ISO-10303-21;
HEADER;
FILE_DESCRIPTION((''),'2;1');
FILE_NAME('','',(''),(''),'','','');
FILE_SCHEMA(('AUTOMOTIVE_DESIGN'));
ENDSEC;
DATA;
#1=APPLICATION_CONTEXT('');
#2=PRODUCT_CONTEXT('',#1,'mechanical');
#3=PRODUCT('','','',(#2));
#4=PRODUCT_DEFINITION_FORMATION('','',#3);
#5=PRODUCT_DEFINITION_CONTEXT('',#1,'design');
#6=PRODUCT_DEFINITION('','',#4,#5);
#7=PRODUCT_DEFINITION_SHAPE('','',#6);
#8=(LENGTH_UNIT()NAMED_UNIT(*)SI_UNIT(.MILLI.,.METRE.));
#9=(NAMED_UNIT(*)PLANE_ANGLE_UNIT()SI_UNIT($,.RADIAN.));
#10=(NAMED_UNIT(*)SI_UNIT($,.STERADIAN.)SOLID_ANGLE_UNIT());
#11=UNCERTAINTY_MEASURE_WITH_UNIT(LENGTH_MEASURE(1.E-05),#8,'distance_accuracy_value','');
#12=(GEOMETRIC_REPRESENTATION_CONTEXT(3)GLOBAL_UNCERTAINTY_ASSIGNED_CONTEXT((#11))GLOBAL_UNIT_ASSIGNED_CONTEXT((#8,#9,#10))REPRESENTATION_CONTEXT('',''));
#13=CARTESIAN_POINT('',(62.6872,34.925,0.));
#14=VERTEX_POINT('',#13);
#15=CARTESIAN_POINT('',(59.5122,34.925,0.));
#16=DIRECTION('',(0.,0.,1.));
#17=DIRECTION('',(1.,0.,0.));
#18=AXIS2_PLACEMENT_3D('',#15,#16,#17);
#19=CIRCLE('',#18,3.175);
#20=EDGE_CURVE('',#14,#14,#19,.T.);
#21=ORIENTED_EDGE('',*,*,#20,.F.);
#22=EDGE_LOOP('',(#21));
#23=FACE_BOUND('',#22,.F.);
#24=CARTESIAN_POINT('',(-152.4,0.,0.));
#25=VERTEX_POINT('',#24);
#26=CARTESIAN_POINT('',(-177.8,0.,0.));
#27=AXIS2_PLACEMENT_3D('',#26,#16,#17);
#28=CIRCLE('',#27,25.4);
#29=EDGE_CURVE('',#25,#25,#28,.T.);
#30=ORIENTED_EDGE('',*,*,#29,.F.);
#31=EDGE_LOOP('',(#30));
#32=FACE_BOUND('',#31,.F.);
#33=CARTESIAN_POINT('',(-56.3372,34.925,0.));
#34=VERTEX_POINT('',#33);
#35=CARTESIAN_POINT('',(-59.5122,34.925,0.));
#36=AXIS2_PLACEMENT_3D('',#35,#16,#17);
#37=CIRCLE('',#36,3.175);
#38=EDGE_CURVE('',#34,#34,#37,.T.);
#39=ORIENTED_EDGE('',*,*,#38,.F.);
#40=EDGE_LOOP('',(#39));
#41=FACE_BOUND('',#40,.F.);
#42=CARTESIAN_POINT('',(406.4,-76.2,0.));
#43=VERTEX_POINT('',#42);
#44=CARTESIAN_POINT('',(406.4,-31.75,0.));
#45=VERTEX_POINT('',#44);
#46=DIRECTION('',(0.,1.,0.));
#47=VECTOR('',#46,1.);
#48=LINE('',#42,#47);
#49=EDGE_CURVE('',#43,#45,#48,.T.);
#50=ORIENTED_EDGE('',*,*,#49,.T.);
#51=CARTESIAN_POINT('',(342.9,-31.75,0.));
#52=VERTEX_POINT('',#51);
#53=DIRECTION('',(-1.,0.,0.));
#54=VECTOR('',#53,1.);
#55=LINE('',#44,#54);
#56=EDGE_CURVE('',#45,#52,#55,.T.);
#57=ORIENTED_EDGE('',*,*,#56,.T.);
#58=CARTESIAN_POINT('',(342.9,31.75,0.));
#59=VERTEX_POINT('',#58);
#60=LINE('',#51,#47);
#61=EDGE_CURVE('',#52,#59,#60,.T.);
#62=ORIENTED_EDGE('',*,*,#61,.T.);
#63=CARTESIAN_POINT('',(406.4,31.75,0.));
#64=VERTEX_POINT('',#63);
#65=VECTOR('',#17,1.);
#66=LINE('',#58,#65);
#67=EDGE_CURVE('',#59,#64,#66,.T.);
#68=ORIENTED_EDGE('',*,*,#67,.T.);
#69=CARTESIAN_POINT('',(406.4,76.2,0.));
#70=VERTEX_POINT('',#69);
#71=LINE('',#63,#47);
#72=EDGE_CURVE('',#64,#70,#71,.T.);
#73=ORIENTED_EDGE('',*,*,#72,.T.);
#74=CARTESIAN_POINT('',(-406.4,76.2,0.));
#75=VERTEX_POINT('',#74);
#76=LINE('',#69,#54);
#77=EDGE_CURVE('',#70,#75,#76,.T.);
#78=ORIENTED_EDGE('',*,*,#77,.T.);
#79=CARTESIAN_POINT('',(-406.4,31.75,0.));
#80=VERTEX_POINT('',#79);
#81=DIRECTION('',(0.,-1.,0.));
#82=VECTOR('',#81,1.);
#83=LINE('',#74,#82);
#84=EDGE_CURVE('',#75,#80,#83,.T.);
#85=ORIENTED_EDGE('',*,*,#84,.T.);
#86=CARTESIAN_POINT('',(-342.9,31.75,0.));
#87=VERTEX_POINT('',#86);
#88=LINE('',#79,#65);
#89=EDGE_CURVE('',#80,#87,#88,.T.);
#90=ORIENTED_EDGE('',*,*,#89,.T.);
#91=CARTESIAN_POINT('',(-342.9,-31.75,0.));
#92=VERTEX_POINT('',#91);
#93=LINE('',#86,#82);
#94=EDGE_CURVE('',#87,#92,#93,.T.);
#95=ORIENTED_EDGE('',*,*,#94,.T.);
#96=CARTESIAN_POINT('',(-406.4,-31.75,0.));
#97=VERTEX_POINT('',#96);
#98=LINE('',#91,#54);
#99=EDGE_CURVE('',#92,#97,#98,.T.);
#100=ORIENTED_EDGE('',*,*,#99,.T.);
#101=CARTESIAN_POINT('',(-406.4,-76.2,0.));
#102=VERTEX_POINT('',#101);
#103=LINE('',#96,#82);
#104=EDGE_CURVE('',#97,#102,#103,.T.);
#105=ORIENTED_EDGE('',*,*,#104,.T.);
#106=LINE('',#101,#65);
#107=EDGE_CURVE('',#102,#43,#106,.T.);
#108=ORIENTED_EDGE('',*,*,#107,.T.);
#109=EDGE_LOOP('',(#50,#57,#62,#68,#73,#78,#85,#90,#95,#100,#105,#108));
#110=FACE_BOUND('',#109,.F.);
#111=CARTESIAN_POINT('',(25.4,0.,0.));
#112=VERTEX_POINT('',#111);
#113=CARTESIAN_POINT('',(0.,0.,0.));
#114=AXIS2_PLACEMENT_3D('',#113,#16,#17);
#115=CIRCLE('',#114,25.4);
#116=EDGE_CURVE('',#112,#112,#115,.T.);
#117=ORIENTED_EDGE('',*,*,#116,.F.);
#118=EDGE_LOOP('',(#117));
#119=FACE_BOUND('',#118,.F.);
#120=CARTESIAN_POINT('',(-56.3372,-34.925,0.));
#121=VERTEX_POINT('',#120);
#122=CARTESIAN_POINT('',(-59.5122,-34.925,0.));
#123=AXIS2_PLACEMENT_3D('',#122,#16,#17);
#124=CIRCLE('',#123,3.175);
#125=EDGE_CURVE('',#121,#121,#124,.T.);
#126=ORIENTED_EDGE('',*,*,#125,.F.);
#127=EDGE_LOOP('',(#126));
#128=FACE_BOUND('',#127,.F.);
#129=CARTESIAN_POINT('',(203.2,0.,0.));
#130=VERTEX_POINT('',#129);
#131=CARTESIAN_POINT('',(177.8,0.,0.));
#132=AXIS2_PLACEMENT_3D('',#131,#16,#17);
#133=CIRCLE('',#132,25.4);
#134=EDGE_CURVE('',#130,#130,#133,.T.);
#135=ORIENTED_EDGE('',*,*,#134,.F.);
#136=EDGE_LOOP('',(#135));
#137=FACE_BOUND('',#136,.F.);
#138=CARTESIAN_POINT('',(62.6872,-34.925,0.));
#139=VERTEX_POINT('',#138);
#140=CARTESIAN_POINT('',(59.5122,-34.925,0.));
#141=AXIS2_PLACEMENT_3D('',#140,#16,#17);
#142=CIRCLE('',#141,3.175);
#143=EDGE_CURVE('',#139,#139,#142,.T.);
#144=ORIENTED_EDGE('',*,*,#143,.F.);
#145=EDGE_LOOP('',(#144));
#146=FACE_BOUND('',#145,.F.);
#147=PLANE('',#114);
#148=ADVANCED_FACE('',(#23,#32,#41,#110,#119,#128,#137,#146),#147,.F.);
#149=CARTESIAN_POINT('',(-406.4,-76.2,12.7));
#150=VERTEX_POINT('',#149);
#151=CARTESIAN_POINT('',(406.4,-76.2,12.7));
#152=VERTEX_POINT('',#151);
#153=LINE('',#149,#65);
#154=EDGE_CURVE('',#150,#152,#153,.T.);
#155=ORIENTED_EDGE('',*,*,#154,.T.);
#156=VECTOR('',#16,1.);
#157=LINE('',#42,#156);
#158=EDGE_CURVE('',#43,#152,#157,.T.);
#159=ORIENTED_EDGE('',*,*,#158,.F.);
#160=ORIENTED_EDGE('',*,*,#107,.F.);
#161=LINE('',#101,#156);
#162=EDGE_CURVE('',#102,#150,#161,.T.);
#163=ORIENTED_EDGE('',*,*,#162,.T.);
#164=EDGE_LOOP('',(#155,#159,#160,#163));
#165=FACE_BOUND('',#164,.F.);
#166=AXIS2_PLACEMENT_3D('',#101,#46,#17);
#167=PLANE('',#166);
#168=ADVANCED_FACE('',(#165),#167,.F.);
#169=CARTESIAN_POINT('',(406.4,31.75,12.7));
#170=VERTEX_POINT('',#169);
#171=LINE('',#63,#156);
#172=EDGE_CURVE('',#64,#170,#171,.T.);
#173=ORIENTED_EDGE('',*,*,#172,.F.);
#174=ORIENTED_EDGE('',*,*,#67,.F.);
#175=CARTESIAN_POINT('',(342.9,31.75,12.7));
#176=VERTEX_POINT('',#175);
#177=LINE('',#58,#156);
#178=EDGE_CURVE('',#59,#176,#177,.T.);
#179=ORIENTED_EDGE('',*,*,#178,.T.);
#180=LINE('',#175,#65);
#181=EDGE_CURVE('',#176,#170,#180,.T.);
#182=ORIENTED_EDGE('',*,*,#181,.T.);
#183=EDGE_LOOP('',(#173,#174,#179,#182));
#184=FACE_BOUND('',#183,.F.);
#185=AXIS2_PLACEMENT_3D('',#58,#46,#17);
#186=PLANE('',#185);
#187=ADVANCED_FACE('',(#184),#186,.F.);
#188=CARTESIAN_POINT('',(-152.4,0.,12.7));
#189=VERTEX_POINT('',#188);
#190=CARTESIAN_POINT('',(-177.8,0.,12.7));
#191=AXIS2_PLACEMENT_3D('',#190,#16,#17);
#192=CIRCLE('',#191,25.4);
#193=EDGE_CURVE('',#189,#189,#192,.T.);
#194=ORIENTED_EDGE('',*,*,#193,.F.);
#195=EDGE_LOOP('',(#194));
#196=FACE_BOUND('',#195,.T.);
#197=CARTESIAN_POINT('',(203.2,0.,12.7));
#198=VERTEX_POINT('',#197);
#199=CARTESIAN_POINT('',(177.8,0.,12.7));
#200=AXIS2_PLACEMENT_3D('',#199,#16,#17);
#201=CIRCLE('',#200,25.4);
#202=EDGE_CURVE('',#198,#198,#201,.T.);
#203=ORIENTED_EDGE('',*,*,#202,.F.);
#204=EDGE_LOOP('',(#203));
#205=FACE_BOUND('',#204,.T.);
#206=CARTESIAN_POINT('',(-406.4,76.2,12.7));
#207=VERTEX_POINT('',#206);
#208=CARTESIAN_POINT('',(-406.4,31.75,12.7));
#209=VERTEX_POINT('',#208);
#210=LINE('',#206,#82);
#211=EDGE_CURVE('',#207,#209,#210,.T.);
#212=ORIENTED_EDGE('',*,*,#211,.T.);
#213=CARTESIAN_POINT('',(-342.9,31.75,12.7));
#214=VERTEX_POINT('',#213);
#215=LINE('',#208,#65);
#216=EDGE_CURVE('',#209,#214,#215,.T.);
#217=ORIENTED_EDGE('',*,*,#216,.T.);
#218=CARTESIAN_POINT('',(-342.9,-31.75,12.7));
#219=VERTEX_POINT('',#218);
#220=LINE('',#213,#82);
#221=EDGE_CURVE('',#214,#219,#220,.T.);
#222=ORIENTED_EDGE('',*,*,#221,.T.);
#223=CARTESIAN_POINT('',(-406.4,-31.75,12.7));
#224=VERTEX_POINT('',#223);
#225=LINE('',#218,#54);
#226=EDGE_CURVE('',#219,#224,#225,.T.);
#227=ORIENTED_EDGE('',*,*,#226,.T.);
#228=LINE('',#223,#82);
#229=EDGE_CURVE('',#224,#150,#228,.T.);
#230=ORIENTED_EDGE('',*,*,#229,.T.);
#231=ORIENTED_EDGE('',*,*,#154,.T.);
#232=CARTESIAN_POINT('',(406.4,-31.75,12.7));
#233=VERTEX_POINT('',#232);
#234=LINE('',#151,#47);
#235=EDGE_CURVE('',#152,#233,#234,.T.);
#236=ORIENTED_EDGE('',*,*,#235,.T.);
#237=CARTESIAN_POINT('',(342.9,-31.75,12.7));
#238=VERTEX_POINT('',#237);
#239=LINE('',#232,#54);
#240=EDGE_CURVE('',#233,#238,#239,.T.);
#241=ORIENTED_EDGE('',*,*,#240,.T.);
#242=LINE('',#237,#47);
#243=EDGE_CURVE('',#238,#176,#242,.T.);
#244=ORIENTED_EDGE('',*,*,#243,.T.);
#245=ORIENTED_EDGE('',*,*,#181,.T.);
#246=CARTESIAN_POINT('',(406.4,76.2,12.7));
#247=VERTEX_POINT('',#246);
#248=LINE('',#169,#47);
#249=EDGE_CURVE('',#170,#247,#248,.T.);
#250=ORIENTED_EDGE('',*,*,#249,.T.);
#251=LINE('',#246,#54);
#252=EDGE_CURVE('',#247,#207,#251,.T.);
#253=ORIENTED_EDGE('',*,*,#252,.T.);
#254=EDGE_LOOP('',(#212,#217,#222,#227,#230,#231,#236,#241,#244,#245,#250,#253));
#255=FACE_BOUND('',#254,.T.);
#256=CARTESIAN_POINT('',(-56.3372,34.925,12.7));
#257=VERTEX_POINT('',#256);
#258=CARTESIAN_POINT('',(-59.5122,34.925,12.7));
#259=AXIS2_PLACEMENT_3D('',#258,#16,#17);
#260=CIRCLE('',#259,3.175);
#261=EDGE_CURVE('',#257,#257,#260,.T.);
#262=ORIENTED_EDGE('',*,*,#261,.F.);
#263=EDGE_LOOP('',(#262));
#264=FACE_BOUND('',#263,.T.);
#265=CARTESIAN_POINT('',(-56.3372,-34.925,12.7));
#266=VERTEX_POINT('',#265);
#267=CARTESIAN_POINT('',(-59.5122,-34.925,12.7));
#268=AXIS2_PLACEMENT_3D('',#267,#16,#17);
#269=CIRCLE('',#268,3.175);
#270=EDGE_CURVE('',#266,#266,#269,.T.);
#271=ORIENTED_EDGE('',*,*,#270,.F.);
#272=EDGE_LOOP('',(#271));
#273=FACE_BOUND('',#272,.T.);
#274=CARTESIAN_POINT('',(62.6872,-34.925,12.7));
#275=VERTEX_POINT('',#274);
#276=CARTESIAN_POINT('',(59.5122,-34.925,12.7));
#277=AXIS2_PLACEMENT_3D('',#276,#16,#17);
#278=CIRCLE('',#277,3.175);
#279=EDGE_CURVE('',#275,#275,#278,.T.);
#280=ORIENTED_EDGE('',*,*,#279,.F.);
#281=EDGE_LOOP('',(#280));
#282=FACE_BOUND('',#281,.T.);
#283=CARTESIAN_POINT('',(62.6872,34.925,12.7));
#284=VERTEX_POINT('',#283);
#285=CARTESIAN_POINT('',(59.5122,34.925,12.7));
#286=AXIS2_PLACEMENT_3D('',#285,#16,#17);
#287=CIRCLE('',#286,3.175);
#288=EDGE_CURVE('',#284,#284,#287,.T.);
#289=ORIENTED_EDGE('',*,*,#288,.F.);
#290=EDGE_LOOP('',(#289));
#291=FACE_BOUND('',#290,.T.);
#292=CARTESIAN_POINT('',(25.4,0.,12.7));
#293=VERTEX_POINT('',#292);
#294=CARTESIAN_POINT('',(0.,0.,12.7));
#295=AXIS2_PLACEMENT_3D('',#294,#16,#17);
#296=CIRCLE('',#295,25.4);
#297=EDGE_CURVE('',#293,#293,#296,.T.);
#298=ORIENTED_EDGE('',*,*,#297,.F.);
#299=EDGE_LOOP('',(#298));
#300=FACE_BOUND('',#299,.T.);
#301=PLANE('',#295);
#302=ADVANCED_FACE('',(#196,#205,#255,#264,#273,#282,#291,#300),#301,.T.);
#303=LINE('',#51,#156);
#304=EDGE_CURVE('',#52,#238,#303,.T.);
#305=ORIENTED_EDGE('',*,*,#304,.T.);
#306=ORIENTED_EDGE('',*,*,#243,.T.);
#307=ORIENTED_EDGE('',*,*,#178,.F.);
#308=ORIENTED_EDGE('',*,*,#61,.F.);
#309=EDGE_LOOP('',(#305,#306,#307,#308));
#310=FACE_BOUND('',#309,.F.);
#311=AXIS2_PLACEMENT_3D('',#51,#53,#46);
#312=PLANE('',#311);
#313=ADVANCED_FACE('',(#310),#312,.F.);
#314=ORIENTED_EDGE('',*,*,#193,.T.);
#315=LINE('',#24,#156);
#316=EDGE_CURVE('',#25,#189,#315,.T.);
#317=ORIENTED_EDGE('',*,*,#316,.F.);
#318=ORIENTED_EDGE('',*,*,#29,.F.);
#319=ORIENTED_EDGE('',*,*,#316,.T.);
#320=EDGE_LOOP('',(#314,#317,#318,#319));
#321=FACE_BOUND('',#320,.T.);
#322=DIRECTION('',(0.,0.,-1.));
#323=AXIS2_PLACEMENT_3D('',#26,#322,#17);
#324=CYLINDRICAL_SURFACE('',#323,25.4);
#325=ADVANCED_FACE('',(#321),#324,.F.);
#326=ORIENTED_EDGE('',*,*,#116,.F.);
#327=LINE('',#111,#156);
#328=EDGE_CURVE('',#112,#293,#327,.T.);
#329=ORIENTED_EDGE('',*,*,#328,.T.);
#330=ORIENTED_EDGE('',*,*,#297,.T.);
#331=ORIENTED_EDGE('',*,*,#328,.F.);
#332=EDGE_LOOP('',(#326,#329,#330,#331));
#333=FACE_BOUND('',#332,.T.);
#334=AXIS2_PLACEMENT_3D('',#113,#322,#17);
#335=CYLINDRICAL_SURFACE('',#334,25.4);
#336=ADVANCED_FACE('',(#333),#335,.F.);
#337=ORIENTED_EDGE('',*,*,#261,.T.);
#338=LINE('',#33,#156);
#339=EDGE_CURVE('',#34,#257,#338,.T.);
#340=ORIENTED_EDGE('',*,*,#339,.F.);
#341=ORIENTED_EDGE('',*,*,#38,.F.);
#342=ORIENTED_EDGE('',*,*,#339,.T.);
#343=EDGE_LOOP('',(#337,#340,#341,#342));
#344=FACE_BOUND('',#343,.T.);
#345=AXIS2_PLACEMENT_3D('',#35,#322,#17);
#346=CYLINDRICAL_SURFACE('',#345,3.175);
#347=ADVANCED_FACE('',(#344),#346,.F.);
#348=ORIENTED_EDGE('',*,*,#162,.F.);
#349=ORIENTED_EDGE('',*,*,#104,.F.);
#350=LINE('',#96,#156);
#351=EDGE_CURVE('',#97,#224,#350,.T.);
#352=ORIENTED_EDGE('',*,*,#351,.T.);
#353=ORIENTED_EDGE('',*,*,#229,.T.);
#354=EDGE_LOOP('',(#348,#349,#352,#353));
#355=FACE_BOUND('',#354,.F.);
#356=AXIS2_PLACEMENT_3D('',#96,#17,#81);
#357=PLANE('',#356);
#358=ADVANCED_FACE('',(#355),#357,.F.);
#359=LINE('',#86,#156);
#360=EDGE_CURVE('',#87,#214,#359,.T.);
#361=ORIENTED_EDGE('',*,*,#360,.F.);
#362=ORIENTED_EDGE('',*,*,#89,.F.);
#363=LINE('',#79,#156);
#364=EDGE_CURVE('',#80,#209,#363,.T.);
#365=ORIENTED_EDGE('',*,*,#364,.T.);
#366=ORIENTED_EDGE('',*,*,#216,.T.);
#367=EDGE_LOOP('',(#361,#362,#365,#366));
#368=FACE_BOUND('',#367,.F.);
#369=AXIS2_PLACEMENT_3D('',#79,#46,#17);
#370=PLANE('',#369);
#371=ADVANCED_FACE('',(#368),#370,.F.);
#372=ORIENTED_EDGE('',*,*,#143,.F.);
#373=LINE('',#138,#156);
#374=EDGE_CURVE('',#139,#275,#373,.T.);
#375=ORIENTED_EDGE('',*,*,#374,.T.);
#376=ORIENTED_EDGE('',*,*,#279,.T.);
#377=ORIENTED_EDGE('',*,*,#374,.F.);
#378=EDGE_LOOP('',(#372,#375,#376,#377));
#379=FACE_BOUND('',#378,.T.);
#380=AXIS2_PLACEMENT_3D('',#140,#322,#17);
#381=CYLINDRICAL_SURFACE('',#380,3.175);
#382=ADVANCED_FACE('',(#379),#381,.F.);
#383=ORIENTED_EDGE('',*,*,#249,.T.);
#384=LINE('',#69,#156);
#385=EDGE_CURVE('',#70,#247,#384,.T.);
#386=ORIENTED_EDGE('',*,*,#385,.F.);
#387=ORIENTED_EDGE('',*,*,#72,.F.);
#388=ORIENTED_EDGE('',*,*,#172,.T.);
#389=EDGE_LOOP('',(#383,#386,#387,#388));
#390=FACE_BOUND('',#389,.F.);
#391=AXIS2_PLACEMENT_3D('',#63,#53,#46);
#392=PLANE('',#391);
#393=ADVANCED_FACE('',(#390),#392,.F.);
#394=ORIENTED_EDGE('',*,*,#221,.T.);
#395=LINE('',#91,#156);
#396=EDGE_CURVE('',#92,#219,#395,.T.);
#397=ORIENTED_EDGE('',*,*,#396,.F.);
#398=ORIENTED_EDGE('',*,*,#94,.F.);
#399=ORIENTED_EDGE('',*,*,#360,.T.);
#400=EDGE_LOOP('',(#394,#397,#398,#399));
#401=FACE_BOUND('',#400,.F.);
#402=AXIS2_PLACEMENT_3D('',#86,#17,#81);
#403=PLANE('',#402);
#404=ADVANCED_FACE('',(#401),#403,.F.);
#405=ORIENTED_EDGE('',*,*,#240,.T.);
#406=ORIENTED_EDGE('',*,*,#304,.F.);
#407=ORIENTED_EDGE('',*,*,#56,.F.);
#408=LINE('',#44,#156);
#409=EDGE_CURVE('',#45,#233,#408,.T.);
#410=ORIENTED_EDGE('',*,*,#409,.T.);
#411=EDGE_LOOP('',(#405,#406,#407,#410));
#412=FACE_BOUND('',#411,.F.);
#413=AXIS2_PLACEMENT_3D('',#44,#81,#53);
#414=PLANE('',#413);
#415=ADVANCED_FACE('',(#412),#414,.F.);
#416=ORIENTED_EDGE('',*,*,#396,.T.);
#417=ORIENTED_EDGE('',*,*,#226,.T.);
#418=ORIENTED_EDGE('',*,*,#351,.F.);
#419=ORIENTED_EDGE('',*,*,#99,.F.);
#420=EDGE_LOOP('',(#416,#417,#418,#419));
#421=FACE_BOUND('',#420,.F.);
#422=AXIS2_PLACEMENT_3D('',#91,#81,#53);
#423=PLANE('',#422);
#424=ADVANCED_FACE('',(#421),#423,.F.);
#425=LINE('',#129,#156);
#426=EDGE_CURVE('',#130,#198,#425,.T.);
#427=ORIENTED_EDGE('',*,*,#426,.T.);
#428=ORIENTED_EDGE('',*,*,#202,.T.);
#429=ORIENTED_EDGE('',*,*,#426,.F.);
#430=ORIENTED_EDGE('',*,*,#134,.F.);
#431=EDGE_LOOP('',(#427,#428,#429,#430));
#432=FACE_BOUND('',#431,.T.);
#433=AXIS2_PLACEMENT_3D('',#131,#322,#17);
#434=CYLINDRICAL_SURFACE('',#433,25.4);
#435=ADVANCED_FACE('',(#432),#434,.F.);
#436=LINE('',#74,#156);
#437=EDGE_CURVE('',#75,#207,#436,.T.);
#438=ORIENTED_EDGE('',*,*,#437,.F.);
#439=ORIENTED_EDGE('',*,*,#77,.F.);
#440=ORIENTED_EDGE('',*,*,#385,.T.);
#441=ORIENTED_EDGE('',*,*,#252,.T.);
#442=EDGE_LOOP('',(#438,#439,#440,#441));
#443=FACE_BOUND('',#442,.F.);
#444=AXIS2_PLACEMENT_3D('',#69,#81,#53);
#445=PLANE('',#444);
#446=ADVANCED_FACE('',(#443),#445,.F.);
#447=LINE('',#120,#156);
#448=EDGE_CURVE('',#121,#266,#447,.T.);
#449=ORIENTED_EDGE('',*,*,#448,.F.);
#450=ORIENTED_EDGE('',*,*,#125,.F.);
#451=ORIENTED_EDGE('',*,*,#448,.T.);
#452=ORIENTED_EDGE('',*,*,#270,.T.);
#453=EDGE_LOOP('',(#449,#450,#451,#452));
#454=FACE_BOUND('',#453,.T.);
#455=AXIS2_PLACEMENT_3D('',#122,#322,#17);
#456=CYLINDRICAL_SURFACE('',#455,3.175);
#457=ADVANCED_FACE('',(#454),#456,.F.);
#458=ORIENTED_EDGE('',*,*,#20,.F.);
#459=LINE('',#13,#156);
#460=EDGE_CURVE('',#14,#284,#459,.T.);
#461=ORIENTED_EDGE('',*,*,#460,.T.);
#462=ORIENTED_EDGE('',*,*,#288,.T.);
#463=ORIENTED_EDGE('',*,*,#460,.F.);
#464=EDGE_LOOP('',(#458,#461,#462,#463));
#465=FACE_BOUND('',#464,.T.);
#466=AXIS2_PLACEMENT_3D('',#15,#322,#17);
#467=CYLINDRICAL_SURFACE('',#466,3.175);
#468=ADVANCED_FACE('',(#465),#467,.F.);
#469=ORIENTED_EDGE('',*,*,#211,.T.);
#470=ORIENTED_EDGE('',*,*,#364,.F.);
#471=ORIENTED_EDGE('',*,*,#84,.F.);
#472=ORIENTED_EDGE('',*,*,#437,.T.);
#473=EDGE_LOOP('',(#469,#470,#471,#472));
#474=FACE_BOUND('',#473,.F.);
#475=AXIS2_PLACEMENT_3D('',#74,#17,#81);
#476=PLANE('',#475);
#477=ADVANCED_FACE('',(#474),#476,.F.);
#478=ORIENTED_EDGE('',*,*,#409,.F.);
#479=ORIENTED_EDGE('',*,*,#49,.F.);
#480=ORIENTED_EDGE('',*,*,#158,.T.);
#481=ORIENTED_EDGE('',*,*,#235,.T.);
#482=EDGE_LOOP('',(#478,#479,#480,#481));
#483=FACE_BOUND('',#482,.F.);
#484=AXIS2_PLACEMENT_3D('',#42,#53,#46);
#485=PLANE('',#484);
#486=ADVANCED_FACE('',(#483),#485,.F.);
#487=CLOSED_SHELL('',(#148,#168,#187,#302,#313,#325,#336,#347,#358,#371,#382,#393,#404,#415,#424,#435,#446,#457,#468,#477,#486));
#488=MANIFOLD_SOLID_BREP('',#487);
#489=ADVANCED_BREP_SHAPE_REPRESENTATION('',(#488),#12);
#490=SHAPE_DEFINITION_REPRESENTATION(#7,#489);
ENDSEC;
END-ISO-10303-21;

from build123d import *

# Parameters (mm, degrees)
F0_R     = 3.175
F0_R_2   = 25.4
F1_DEPTH = 12.7


with BuildPart() as f1:
    # F0 (on Top) → F1 (new body)
    with BuildSketch(Plane.XY):
        Polygon((406.4, 76.2), (-406.4, 76.2), (-406.4, 31.75), (-342.9, 31.75), (-342.9, -31.75), (-406.4, -31.75), (-406.4, -76.2), (406.4, -76.2), (406.4, -31.75), (342.9, -31.75), (342.9, 31.75), (406.4, 31.75), align=None)
        with Locations((-59.5122, -34.925)):
            Circle(F0_R, mode=Mode.SUBTRACT)
        with Locations((59.5122, -34.925)):
            Circle(F0_R, mode=Mode.SUBTRACT)
        with Locations((-177.8, 0)):
            Circle(F0_R_2, mode=Mode.SUBTRACT)
        Circle(F0_R_2, mode=Mode.SUBTRACT)
        with Locations((-59.5122, 34.925)):
            Circle(F0_R, mode=Mode.SUBTRACT)
        with Locations((177.8, 0)):
            Circle(F0_R_2, mode=Mode.SUBTRACT)
        with Locations((59.5122, 34.925)):
            Circle(F0_R, mode=Mode.SUBTRACT)
    extrude(amount=F1_DEPTH)


solid = f1.part
